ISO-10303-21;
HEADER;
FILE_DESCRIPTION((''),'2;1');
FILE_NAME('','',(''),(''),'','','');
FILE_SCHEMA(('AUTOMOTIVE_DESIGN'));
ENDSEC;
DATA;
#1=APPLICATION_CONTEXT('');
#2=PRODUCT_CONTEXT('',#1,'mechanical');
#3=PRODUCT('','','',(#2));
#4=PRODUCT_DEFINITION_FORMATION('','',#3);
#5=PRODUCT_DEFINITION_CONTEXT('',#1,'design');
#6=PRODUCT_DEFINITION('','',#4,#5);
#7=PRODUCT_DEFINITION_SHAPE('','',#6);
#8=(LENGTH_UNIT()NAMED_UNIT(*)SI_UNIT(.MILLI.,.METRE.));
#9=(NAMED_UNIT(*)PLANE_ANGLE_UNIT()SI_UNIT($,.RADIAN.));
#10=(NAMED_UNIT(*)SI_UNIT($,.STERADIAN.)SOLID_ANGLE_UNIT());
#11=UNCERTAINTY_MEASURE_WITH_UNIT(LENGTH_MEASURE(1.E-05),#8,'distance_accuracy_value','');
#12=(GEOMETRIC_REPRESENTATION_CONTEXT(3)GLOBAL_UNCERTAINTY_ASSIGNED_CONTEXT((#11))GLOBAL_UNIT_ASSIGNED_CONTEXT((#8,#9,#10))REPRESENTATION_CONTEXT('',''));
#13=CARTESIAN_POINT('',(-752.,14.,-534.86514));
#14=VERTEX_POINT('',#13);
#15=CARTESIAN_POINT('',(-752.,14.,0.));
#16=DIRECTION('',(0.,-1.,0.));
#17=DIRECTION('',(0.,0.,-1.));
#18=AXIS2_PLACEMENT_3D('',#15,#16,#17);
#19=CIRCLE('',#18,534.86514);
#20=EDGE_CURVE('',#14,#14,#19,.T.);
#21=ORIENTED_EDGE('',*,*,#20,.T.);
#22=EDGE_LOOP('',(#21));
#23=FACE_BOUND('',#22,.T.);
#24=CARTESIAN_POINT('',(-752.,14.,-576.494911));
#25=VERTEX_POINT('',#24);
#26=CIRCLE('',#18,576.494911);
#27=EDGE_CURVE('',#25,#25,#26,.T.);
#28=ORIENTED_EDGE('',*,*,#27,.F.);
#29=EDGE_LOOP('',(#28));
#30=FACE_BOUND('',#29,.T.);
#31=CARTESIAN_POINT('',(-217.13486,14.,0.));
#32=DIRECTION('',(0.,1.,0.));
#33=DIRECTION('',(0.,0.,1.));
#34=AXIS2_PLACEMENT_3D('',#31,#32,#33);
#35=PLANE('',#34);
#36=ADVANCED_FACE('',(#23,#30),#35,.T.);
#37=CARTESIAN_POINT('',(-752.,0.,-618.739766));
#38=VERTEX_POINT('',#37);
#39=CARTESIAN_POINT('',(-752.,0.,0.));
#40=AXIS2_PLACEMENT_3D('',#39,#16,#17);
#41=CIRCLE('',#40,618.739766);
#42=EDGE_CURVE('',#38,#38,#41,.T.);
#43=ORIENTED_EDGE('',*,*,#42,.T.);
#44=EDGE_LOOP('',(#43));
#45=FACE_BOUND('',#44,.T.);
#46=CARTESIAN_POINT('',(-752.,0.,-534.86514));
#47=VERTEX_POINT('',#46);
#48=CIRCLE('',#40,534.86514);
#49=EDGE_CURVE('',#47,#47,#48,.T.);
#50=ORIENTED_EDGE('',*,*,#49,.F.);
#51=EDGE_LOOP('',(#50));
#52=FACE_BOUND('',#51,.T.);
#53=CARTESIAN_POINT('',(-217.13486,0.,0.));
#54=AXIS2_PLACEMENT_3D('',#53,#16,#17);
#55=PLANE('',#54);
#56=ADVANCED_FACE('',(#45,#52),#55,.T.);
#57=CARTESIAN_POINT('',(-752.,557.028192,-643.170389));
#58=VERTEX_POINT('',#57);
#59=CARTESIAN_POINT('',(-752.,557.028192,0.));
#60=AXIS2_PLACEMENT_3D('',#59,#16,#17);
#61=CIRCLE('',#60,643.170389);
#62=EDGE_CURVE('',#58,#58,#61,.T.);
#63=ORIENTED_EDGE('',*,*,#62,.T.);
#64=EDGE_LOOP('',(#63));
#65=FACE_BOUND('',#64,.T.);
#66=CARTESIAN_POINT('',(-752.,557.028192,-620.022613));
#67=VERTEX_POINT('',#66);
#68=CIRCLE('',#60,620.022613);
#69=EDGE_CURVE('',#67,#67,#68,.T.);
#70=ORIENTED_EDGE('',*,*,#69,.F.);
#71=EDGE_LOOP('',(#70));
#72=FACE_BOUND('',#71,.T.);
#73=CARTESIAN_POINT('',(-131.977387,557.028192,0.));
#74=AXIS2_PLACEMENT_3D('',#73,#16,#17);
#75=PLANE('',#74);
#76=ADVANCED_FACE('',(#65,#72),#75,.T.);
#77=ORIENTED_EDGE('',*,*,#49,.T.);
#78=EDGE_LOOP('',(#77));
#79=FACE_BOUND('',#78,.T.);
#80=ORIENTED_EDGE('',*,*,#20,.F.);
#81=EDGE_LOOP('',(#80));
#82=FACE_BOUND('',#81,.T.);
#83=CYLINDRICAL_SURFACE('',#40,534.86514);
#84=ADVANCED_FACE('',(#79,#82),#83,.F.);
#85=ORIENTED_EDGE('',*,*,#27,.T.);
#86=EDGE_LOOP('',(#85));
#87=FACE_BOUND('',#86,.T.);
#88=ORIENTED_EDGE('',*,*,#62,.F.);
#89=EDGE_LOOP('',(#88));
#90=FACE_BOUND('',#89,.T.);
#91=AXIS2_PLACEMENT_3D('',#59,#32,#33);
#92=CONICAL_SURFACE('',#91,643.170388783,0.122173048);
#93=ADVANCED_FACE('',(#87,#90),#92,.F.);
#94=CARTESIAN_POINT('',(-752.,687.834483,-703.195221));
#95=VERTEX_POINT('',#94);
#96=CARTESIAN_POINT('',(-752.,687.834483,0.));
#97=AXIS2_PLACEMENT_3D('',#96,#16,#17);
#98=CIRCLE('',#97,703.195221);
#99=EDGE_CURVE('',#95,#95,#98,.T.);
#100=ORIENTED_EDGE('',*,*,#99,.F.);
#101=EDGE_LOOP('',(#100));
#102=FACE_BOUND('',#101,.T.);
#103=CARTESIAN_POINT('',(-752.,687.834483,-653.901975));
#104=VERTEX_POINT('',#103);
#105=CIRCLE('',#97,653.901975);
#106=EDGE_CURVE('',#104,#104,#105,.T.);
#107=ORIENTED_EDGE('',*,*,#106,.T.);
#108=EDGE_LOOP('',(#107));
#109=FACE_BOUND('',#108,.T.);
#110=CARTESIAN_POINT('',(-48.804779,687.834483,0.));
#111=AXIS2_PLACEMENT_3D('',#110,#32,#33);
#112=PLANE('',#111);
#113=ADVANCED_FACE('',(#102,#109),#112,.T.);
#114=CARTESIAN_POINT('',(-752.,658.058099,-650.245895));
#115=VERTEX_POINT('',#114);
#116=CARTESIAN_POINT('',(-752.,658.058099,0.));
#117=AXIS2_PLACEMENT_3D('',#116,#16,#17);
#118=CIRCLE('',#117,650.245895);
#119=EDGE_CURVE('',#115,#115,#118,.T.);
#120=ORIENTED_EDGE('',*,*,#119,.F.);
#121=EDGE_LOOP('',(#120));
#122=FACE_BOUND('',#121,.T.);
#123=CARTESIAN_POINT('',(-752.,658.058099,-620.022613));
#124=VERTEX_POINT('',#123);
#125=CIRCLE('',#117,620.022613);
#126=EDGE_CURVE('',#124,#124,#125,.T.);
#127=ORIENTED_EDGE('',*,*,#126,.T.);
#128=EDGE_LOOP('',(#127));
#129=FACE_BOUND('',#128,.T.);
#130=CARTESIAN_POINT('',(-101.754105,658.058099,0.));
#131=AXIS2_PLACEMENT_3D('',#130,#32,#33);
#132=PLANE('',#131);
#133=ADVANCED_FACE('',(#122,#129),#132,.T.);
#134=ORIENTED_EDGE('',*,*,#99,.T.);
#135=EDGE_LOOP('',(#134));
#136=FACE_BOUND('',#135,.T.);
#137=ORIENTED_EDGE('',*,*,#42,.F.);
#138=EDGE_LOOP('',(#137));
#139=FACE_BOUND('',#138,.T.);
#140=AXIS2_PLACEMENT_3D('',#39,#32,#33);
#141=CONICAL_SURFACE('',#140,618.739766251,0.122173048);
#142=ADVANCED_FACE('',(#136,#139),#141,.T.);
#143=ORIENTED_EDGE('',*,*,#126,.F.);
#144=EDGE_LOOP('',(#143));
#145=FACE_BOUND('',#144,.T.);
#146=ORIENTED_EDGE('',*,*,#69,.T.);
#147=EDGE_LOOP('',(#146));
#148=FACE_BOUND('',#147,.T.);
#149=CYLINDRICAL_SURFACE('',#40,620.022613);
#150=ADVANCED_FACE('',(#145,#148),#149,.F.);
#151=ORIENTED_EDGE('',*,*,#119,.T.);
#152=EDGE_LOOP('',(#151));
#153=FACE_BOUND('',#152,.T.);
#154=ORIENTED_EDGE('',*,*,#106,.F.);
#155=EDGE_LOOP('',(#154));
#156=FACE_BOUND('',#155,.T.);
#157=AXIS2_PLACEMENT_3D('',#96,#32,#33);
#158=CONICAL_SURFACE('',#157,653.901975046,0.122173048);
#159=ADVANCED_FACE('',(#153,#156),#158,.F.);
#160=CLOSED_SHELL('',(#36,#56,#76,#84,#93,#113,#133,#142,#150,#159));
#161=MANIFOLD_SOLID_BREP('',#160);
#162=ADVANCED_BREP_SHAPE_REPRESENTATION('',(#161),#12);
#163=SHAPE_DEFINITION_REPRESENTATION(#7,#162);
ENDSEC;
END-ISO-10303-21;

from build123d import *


with BuildPart() as part:
    # 草图1 → 旋转1 (revolve)
    with BuildSketch(Plane.XY):
        Polygon((-217.134859888, 0), (-133.260233749, 0), (-48.804778769, 687.834483087), (-98.098024954, 687.834483087), (-101.754105256, 658.058098538), (-131.977387408, 658.058098538), (-131.977387408, 557.028191998), (-108.829611217, 557.028191998), (-175.505089329, 14), (-217.134859888, 14), align=None)
    revolve(axis=Axis((-752, 0, 0), (0, 1, 0)))


solid = part.part
